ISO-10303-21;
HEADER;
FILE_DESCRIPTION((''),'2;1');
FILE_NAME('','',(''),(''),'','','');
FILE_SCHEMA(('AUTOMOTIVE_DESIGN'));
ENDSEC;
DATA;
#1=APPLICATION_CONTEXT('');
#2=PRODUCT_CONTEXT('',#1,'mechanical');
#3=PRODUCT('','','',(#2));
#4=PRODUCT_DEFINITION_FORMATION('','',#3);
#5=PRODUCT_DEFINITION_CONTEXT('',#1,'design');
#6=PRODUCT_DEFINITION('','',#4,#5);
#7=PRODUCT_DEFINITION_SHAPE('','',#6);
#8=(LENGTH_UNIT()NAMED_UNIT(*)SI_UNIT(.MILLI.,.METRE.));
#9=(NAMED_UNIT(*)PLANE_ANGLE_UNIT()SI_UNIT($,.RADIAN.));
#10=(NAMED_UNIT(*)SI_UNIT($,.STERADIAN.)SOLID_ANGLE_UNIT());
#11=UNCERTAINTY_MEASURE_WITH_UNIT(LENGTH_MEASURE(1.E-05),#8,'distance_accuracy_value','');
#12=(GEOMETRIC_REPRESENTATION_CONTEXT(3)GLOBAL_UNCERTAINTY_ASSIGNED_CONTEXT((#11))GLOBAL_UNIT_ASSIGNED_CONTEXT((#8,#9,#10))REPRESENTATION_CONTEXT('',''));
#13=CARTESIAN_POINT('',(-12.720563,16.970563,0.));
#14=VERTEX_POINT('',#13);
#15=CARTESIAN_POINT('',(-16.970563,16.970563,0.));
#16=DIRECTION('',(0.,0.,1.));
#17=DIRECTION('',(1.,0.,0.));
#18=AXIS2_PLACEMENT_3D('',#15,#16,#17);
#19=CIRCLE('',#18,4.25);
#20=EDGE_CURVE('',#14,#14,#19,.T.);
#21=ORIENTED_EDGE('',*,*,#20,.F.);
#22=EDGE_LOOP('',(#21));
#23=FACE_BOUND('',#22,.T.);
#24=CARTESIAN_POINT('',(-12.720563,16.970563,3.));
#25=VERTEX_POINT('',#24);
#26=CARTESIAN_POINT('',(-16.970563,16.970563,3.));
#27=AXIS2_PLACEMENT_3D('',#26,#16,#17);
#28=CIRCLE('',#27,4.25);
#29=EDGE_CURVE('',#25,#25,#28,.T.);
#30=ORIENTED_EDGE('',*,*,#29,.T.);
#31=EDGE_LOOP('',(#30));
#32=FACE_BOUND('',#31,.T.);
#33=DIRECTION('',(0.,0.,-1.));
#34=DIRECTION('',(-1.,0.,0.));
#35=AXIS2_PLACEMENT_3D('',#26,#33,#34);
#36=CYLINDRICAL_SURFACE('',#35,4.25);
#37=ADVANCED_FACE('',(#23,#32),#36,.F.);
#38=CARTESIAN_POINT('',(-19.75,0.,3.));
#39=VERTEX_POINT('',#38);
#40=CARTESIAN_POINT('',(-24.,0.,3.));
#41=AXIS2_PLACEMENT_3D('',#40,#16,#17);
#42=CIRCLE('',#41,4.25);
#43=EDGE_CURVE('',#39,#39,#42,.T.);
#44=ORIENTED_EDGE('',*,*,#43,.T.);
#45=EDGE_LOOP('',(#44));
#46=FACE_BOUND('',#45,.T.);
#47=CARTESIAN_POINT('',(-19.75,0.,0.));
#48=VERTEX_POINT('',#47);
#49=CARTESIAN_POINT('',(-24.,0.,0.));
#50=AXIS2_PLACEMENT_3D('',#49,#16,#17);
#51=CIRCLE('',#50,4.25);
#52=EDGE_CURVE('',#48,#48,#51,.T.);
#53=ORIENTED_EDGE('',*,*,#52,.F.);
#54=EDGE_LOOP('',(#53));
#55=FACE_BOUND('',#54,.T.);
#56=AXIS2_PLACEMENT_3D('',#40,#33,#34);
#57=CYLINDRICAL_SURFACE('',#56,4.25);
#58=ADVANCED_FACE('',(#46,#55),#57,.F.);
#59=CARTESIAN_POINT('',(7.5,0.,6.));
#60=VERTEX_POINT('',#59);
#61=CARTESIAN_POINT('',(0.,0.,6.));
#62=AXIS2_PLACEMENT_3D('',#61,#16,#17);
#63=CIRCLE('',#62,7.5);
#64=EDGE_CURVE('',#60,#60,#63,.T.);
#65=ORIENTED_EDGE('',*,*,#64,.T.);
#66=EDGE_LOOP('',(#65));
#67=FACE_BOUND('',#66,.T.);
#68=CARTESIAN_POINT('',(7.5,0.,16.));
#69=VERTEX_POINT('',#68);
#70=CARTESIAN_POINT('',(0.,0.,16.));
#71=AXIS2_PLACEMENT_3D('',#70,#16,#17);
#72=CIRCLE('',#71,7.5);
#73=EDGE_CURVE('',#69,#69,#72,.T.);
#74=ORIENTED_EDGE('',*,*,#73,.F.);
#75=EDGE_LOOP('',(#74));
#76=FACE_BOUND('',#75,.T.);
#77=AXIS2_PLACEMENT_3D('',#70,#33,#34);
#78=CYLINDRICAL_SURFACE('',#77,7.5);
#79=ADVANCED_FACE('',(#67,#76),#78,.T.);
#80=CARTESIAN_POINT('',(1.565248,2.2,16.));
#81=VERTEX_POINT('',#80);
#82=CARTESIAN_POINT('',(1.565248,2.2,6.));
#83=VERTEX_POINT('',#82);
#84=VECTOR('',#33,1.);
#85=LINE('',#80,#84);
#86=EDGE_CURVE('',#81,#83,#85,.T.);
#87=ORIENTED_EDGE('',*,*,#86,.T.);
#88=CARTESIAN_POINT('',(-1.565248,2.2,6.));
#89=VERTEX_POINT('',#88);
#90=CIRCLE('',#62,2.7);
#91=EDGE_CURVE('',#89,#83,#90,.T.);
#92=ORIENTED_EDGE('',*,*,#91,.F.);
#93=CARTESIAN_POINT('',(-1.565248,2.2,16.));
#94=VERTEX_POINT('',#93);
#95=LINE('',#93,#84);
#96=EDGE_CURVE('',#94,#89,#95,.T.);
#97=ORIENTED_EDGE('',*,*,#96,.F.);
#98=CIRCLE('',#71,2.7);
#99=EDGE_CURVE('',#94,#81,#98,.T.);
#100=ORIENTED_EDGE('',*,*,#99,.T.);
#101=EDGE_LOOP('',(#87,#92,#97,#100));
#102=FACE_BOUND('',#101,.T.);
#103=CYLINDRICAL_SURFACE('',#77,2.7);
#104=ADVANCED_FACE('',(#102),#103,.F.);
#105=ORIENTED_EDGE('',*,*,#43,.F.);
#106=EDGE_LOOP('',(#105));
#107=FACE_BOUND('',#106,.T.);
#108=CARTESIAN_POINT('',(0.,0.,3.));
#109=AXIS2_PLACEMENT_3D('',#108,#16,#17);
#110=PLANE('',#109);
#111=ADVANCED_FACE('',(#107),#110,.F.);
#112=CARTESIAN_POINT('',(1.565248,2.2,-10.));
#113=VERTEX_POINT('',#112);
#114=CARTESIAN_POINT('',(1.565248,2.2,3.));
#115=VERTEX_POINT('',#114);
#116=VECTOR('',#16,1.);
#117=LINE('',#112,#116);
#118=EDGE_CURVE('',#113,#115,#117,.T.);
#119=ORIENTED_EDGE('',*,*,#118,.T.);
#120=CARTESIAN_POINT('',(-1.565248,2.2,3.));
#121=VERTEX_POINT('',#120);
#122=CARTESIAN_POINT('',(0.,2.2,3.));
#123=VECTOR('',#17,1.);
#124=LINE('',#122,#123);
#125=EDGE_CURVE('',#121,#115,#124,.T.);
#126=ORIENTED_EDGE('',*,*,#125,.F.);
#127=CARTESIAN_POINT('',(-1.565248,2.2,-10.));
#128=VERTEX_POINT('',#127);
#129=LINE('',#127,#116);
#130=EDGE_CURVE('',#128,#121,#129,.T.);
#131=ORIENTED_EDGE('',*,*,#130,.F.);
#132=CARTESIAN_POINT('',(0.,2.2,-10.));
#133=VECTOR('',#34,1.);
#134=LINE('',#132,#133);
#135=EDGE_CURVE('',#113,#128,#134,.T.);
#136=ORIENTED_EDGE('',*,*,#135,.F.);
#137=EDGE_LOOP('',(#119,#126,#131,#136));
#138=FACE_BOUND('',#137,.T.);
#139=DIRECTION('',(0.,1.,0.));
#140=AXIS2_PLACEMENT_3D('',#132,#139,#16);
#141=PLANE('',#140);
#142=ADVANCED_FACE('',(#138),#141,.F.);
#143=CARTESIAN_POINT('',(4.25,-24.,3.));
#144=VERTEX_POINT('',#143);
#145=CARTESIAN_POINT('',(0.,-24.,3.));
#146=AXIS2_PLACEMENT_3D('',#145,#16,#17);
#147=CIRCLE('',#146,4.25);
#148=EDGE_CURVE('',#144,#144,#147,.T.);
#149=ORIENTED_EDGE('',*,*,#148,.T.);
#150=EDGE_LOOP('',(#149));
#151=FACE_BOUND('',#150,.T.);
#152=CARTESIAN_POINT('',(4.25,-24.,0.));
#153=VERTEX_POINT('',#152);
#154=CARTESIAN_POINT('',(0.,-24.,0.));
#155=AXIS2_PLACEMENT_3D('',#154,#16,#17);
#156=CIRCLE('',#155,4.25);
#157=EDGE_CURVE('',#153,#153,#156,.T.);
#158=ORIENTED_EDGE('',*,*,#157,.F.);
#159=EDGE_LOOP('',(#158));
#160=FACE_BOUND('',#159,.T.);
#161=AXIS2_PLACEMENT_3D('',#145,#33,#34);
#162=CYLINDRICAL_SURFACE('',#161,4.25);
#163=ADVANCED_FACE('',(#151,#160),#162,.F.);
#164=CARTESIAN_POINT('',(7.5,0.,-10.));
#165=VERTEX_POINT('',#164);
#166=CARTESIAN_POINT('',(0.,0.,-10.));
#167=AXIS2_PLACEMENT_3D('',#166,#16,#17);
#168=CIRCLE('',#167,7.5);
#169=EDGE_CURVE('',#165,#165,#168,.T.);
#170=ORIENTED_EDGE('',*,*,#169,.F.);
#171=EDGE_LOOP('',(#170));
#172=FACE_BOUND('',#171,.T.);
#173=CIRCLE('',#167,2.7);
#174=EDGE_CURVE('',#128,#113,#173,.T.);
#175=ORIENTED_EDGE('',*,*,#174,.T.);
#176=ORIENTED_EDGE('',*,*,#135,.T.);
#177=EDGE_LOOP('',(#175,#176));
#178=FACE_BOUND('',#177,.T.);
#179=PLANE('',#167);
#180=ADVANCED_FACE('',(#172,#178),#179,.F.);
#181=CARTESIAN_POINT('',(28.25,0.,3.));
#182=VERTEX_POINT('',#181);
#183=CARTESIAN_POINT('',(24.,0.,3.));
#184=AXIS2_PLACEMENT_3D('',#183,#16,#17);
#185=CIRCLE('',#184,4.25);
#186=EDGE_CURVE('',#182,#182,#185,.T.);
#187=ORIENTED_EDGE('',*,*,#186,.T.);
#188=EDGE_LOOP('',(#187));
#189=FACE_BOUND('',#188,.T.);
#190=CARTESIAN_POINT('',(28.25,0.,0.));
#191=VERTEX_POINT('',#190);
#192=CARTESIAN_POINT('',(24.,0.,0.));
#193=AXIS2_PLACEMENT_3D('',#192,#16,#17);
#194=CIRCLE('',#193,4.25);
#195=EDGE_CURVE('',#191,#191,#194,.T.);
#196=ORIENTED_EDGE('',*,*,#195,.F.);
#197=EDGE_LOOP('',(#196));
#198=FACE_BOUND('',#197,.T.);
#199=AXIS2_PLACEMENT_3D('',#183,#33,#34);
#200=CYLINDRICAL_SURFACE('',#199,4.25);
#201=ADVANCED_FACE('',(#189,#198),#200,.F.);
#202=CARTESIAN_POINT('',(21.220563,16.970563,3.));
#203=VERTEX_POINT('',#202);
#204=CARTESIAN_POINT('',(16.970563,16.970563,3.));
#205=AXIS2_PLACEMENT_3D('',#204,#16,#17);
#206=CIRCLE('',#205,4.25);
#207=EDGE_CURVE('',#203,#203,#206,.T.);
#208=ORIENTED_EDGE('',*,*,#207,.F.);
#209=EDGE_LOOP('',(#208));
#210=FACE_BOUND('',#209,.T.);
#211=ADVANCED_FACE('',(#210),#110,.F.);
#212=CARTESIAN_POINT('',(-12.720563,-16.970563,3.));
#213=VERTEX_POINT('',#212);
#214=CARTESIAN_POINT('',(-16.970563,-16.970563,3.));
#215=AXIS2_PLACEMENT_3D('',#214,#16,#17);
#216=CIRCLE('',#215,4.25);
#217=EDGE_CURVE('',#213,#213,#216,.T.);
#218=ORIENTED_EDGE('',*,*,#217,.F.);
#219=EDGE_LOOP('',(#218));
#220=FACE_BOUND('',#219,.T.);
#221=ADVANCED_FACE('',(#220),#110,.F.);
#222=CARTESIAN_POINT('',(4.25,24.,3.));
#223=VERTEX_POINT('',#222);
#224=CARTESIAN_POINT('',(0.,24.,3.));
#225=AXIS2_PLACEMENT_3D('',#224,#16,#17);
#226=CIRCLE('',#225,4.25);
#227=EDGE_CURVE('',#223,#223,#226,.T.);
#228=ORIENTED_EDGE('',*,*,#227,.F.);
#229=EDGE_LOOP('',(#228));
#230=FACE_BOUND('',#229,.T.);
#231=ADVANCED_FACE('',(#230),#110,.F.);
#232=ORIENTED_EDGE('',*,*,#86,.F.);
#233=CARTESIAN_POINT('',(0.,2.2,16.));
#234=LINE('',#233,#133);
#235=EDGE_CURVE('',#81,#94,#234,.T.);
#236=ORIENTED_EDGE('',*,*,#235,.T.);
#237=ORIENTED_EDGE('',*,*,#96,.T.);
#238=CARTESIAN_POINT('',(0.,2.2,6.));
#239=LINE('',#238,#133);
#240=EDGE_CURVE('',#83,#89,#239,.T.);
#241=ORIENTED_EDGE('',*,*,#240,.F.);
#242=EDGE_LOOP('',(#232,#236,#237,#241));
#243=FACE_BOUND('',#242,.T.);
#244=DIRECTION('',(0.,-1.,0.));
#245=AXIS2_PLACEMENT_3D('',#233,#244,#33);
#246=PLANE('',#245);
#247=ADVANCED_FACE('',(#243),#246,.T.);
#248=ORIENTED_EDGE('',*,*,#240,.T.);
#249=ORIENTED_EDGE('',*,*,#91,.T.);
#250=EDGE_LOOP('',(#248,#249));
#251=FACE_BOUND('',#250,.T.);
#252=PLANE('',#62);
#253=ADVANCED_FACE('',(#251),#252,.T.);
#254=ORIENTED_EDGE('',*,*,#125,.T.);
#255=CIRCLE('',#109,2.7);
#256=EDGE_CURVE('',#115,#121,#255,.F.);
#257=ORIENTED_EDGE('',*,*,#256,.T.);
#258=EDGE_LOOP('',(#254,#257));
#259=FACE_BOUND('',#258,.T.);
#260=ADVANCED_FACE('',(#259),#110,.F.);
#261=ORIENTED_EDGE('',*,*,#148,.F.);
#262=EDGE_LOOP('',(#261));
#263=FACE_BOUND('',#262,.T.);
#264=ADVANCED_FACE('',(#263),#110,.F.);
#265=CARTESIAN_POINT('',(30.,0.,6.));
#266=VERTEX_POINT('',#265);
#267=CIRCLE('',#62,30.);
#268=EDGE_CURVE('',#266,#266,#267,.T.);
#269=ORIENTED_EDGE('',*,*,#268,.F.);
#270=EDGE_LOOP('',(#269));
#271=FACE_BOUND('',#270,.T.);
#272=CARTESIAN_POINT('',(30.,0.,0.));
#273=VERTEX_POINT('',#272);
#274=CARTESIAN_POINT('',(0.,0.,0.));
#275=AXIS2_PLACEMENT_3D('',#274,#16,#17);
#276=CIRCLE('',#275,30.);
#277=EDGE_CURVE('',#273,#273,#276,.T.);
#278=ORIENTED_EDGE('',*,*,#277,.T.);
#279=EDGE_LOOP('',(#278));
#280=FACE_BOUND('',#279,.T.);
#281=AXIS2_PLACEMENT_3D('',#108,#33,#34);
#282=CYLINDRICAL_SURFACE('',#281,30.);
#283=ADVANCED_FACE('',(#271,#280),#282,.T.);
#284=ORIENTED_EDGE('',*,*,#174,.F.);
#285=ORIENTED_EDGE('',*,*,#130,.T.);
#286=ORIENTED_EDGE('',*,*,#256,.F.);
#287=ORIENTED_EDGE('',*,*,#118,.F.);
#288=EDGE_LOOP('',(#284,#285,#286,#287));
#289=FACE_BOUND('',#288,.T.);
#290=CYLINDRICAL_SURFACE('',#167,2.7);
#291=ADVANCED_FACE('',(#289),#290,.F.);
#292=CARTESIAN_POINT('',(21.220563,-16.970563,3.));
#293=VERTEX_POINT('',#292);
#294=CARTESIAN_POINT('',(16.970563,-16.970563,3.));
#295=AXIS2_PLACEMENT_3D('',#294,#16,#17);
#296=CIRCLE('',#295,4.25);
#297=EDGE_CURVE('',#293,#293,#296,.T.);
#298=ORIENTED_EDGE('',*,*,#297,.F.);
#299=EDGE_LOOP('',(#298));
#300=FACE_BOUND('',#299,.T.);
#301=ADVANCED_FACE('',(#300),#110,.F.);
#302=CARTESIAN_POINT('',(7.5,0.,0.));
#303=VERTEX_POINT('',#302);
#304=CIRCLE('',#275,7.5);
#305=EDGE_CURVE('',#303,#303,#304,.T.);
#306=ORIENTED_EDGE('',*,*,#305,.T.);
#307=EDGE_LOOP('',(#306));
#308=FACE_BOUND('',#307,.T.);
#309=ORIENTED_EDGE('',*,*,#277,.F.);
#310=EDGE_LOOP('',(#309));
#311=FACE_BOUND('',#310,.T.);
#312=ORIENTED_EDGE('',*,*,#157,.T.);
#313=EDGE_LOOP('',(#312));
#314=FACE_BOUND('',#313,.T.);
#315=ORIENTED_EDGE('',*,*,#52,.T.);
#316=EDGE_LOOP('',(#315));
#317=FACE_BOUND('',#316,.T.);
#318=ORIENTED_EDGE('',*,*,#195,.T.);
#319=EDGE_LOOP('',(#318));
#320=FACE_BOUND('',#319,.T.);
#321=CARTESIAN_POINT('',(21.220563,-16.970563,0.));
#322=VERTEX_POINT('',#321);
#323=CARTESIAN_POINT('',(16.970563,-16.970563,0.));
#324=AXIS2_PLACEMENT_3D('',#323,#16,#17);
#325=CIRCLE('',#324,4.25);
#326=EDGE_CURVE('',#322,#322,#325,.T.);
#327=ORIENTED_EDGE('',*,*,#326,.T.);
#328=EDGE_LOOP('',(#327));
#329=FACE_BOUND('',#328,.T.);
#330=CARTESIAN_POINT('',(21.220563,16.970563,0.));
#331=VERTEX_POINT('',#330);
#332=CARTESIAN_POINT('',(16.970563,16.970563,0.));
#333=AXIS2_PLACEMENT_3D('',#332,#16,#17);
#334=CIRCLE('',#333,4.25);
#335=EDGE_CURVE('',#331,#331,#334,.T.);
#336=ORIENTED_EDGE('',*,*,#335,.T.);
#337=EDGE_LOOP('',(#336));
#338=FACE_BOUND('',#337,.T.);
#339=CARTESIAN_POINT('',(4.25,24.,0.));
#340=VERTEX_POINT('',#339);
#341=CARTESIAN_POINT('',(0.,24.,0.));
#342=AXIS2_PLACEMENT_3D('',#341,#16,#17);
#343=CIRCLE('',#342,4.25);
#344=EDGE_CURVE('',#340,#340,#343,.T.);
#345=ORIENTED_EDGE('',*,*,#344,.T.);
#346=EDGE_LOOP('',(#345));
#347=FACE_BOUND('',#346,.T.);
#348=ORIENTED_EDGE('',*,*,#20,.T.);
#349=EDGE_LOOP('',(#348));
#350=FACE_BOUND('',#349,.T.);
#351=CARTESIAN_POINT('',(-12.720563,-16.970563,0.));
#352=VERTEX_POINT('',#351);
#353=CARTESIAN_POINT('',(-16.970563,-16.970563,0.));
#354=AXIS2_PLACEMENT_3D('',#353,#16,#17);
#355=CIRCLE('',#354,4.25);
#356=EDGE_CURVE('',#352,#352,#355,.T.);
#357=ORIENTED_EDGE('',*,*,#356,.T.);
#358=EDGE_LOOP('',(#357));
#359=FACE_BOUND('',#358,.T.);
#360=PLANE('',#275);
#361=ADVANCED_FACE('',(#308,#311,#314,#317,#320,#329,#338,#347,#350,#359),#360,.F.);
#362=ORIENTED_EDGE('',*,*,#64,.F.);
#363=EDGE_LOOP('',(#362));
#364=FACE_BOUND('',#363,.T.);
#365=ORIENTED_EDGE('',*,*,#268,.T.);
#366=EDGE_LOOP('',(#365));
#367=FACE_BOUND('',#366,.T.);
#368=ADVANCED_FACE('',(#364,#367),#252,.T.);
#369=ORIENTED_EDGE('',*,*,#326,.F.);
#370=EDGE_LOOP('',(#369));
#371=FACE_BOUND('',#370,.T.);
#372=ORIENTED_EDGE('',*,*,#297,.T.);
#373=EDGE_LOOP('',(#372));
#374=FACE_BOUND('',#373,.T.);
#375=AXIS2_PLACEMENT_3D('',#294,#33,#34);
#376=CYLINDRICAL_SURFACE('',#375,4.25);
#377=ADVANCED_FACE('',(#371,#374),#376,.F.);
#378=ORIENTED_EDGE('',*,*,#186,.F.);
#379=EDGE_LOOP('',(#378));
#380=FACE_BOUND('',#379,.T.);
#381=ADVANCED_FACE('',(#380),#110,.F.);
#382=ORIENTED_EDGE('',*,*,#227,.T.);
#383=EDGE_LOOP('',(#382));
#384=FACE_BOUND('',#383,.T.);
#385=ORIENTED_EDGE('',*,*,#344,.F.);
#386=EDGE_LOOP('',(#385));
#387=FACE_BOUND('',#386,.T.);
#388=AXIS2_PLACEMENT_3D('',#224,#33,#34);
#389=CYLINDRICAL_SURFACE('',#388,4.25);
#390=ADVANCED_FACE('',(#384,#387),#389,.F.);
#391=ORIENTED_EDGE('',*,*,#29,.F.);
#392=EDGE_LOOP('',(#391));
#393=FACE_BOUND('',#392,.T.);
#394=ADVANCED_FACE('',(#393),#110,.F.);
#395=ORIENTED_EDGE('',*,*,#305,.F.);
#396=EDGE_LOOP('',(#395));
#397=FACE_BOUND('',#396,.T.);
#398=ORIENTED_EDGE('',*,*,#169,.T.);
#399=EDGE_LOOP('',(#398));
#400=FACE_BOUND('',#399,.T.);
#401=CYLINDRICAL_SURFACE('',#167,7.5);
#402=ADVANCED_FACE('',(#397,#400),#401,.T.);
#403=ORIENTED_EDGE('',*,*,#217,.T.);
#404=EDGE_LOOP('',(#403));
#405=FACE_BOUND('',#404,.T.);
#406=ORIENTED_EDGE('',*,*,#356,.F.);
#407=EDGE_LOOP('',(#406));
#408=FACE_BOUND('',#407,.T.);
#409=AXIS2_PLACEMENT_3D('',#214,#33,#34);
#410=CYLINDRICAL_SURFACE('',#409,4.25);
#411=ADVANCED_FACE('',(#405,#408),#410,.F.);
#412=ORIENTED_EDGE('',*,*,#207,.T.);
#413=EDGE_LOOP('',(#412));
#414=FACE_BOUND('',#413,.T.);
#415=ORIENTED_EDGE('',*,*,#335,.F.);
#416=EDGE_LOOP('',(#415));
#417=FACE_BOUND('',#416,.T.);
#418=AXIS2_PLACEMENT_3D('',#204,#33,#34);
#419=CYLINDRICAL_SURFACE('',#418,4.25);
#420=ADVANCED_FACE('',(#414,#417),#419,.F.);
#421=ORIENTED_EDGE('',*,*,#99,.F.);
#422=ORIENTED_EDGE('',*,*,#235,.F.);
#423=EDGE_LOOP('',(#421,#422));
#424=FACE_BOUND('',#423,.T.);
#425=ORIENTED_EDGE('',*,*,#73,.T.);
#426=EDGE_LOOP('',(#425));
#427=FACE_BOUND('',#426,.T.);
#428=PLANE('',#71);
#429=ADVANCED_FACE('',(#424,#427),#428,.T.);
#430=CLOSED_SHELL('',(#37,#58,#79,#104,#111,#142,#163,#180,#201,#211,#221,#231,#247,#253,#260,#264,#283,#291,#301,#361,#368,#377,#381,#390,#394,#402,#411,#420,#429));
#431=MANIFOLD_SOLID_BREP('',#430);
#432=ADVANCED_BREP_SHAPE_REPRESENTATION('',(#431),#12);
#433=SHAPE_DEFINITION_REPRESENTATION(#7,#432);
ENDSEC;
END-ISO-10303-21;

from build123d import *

# Parameters (mm, degrees)
SKETCH2_R           = 7.5
BOSS_EXTRUDE1_DEPTH = 10
BOSS_EXTRUDE3_START = 3
SKETCH4_R           = 30
SKETCH4_R_2         = 4.25
BOSS_EXTRUDE3_DEPTH = 3
BOSS_EXTRUDE4_START = 3
SKETCH5_R           = 30
BOSS_EXTRUDE4_DEPTH = 3
BOSS_EXTRUDE5_START = 10
SKETCH6_R           = 7.5
BOSS_EXTRUDE5_DEPTH = 10


with BuildPart() as part:
    # Sketch2 → Boss-Extrude1 (new body)
    with BuildSketch(Plane.XY):
        Circle(SKETCH2_R)
        with BuildLine():
            ThreePointArc((-1.565247584, 2.2), (0, -2.7), (1.565247584, 2.2))
            Line((1.565247584, 2.2), (-1.565247584, 2.2))
        make_face(mode=Mode.SUBTRACT)
    extrude(amount=-BOSS_EXTRUDE1_DEPTH)

    # Sketch4 → Boss-Extrude3 (add)
    with BuildSketch(Plane.XY.offset(BOSS_EXTRUDE3_START)):
        Circle(SKETCH4_R)
        with Locations((-16.970562748, -16.970562748)):
            Circle(SKETCH4_R_2, mode=Mode.SUBTRACT)
        with Locations((-24, 0)):
            Circle(SKETCH4_R_2, mode=Mode.SUBTRACT)
        with Locations((0, -24)):
            Circle(SKETCH4_R_2, mode=Mode.SUBTRACT)
        with Locations((16.970562748, -16.970562748)):
            Circle(SKETCH4_R_2, mode=Mode.SUBTRACT)
        with Locations((-16.970562748, 16.970562748)):
            Circle(SKETCH4_R_2, mode=Mode.SUBTRACT)
        with Locations((24, 0)):
            Circle(SKETCH4_R_2, mode=Mode.SUBTRACT)
        with Locations((0, 24)):
            Circle(SKETCH4_R_2, mode=Mode.SUBTRACT)
        with Locations((16.970562748, 16.970562748)):
            Circle(SKETCH4_R_2, mode=Mode.SUBTRACT)
        with BuildLine():
            ThreePointArc((1.565247584, 2.2), (0, -2.7), (-1.565247584, 2.2))
            Line((-1.565247584, 2.2), (1.565247584, 2.2))
        make_face(mode=Mode.SUBTRACT)
    extrude(amount=-BOSS_EXTRUDE3_DEPTH)

    # Sketch5 → Boss-Extrude4 (add)
    with BuildSketch(Plane.XY.offset(3).offset(BOSS_EXTRUDE4_START)):
        Circle(SKETCH5_R)
    extrude(amount=-BOSS_EXTRUDE4_DEPTH)

    # Sketch6 → Boss-Extrude5 (add)
    with BuildSketch(Plane.XY.offset(6).offset(BOSS_EXTRUDE5_START)):
        Circle(SKETCH6_R)
        with BuildLine():
            Line((1.565247584, 2.2), (-1.565247584, 2.2))
            ThreePointArc((-1.565247584, 2.2), (0, -2.7), (1.565247584, 2.2))
        make_face(mode=Mode.SUBTRACT)
    extrude(amount=-BOSS_EXTRUDE5_DEPTH)


solid = part.part
